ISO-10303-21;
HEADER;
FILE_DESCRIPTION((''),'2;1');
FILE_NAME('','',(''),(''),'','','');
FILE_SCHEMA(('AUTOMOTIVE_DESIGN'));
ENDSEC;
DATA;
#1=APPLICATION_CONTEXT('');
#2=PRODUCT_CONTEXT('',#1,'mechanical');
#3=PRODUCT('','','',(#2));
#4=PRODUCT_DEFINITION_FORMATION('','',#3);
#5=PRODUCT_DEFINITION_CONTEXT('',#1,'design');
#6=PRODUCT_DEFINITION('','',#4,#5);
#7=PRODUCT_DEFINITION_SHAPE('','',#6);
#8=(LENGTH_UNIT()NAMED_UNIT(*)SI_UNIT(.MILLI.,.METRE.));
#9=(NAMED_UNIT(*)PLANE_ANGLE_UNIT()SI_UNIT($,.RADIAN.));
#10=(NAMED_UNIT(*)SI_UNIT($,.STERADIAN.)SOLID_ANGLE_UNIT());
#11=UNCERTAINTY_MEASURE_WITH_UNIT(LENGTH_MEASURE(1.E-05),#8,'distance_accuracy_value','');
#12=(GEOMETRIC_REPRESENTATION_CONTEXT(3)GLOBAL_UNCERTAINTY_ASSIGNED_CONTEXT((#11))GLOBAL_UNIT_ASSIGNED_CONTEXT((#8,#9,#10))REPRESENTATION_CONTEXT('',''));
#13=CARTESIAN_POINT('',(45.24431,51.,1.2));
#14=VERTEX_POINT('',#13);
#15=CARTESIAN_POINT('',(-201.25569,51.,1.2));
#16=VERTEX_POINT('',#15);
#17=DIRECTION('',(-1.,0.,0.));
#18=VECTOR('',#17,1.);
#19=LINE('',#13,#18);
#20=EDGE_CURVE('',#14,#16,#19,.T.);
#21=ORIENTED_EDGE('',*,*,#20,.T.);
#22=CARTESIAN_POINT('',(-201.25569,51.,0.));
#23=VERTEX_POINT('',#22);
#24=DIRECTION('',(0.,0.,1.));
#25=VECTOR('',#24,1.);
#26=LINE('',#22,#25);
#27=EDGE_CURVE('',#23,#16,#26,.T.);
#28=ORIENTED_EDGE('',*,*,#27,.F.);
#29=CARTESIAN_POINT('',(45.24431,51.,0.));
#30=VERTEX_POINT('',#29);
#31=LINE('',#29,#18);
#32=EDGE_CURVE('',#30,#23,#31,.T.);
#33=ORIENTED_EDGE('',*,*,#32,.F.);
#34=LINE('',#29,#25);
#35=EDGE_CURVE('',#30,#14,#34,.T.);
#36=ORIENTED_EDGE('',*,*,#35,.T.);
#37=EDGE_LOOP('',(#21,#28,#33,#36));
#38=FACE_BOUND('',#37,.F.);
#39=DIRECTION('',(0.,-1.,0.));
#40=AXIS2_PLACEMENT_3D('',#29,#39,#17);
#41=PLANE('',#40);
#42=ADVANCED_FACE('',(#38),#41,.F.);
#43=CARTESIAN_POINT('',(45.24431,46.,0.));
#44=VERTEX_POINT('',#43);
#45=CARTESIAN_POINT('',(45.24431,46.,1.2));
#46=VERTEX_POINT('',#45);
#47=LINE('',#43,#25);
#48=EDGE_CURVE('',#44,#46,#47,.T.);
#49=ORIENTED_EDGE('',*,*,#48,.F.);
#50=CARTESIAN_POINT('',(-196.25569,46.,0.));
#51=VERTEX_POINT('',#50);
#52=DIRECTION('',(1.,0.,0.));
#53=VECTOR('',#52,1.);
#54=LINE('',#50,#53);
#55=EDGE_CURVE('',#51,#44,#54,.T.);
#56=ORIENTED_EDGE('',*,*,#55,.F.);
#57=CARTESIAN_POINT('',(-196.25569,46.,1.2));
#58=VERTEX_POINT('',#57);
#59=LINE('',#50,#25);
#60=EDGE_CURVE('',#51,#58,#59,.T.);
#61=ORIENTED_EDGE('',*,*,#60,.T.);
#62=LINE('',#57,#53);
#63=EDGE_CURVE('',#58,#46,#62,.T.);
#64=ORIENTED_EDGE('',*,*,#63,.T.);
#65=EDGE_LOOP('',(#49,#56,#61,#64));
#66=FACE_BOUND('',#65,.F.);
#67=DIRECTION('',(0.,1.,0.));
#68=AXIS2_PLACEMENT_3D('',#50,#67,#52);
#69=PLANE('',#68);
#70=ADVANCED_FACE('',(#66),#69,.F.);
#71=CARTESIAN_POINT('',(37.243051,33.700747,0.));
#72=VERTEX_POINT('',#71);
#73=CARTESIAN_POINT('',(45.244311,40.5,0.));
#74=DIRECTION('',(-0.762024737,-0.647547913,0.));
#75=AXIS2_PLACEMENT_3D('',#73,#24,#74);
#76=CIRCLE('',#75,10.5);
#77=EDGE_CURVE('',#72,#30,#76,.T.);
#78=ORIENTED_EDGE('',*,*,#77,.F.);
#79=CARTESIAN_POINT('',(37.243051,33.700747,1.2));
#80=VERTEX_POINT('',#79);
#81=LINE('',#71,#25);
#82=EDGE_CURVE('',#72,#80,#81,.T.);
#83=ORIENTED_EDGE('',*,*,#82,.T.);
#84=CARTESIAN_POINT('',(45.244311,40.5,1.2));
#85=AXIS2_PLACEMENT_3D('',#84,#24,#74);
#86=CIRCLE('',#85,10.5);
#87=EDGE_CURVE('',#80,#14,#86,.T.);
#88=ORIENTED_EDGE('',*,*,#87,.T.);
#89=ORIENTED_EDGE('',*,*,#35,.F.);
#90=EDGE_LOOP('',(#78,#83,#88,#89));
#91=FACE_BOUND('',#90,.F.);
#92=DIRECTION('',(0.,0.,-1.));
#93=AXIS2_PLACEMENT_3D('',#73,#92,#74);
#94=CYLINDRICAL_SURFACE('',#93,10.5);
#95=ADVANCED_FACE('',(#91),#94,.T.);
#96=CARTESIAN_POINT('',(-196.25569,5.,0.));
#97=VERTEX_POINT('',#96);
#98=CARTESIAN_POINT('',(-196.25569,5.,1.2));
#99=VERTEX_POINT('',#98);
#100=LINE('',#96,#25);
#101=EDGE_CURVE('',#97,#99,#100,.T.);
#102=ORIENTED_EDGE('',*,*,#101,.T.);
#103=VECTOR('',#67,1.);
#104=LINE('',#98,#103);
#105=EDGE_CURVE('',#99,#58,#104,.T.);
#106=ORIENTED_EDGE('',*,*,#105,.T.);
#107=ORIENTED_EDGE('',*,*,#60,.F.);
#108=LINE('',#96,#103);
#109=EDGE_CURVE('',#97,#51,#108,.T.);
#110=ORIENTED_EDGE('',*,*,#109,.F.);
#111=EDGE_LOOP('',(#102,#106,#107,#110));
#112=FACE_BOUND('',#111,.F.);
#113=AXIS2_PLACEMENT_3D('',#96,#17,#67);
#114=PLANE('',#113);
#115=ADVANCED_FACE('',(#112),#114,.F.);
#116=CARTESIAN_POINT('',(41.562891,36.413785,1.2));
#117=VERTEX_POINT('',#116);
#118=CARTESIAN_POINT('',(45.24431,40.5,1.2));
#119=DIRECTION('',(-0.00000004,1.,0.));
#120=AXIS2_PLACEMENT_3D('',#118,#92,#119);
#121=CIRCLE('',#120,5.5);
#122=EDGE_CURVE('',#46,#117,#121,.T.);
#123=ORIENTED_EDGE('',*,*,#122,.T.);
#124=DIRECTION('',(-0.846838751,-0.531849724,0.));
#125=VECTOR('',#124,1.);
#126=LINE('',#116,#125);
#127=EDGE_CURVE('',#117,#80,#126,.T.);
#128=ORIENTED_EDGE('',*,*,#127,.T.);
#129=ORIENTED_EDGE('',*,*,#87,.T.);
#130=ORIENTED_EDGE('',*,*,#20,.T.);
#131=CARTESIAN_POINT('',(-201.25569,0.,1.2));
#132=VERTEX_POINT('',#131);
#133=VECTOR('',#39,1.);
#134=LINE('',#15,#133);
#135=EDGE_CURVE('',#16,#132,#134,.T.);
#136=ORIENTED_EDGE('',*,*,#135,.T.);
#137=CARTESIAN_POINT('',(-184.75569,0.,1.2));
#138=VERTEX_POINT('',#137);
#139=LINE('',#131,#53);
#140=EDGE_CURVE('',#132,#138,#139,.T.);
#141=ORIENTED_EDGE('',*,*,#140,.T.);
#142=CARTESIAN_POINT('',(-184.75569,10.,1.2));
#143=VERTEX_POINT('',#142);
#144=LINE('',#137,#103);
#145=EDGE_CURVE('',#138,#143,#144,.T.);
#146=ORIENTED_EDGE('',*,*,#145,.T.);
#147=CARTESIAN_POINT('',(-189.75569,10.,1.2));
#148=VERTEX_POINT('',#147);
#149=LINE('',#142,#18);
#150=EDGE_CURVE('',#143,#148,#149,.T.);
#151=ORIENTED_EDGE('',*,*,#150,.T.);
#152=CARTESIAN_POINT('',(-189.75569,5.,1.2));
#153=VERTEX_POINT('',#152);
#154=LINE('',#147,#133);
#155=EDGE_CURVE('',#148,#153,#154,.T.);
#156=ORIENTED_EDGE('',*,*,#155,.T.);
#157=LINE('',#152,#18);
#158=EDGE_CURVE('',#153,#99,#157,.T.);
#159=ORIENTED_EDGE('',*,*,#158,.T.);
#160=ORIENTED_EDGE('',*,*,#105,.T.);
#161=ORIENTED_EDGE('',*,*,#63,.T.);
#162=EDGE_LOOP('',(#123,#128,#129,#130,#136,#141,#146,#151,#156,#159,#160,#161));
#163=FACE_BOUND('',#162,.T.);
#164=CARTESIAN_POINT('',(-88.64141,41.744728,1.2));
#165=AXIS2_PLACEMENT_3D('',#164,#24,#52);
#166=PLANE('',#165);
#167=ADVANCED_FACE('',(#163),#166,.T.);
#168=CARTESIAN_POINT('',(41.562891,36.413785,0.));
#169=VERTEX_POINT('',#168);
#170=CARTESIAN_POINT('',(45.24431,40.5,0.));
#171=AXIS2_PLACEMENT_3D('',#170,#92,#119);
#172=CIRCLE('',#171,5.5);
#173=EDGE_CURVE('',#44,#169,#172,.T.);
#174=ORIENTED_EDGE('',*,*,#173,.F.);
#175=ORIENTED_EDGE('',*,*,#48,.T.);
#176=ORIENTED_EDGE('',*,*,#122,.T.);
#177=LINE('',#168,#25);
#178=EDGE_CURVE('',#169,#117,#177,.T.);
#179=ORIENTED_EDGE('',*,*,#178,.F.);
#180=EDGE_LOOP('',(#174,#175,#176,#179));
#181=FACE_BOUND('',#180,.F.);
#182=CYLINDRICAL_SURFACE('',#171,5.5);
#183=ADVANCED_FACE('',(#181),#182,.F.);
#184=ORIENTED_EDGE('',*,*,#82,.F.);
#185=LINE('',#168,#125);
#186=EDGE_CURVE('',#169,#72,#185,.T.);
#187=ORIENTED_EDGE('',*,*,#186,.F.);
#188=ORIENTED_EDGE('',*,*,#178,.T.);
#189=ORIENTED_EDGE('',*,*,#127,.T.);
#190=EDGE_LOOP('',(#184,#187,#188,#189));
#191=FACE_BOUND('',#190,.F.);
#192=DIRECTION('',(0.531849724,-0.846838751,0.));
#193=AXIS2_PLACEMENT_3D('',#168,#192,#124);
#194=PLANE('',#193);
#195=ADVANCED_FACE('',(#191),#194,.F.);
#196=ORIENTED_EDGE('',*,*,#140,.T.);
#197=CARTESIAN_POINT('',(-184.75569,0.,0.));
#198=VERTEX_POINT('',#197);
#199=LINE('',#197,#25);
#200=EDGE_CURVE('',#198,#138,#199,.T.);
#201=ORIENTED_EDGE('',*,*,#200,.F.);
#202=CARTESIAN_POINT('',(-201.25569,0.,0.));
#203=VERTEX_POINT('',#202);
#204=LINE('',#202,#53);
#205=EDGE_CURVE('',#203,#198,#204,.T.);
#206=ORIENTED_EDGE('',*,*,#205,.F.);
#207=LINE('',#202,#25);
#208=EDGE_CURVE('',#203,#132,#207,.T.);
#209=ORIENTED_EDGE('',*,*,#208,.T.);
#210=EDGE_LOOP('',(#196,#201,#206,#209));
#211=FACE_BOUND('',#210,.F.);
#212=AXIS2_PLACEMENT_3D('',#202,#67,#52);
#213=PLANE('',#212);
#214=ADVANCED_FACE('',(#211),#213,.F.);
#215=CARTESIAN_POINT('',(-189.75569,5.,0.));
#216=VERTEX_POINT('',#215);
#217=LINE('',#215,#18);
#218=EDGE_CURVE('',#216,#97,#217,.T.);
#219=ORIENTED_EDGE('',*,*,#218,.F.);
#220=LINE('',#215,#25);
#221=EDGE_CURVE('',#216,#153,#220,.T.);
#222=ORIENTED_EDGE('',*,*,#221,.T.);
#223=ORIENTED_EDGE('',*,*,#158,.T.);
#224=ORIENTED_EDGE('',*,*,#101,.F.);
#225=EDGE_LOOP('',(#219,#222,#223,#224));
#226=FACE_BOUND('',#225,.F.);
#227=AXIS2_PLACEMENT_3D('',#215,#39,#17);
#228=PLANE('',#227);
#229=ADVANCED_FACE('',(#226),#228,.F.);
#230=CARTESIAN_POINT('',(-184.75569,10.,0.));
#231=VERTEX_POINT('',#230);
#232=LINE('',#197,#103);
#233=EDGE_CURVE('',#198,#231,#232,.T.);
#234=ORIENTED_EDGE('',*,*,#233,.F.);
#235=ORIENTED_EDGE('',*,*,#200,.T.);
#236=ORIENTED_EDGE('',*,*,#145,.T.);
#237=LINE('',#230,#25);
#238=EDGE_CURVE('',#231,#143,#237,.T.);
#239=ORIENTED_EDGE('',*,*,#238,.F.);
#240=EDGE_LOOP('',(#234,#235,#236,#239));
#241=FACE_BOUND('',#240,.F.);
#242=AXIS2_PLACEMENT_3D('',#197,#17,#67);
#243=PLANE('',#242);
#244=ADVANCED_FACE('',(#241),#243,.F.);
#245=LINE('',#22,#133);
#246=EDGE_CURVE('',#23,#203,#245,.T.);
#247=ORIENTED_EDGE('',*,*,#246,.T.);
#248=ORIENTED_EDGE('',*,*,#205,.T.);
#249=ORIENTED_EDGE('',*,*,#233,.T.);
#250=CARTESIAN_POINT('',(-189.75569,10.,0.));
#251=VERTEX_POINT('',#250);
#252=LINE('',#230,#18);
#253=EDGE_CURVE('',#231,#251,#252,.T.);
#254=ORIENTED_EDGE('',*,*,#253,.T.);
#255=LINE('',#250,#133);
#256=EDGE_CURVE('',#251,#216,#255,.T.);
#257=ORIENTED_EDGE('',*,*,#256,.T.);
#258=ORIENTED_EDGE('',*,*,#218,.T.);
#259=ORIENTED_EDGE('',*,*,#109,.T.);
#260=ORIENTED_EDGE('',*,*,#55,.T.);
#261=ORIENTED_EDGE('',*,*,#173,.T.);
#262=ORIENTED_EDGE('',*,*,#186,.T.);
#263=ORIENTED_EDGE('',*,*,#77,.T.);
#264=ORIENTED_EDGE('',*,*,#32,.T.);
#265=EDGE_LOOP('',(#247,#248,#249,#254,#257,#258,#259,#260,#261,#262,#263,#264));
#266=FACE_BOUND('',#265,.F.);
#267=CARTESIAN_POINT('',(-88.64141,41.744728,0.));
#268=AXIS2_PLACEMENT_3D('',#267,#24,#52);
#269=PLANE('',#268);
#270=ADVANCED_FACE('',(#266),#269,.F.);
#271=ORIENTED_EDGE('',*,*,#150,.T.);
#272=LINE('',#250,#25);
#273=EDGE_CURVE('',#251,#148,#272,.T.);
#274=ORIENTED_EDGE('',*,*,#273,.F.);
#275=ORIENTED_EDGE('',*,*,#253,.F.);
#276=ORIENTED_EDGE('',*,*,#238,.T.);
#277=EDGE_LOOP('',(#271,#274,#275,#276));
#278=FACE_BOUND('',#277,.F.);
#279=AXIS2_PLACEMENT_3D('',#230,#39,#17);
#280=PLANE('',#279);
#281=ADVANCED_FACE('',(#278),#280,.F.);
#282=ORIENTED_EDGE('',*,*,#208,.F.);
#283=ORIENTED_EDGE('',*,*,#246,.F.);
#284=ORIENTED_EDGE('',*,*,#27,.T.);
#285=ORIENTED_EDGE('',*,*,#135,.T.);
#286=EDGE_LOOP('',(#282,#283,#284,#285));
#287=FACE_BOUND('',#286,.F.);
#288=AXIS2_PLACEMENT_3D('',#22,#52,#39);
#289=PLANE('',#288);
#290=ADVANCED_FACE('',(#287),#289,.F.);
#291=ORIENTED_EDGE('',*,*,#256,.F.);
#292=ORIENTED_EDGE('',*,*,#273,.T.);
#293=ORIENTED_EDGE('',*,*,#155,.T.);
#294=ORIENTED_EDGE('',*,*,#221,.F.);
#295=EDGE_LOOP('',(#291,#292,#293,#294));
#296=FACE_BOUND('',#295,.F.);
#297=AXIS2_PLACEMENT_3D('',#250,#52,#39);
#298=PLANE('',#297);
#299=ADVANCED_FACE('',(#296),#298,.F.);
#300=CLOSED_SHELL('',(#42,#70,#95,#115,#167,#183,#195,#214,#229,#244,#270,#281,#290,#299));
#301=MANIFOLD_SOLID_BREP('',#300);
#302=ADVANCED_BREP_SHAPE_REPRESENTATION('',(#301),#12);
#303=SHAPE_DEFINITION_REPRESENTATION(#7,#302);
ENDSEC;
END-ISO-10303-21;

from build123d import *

# Parameters (mm, degrees)
F1_DEPTH = 1.2


with BuildPart() as f1:
    # F0 (on Top) → F1 (new body)
    with BuildSketch(Plane.XY):
        with BuildLine():
            Line((-201.25569, 51), (-201.25569, 0))
            Line((-201.25569, 0), (-184.75569, 0))
            Line((-184.75569, 0), (-184.75569, 10))
            Line((-184.75569, 10), (-189.75569, 10))
            Line((-189.75569, 10), (-189.75569, 5))
            Line((-189.75569, 5), (-196.25569, 5))
            Line((-196.25569, 5), (-196.25569, 46))
            Line((-196.25569, 46), (-184.75569, 46))
            Line((-184.75569, 46), (45.24431, 46))
            ThreePointArc((45.24431, 46), (50.378713, 38.528222), (41.562891, 36.413785))
            Line((41.562891, 36.413785), (37.243051, 33.700747))
            ThreePointArc((37.243051, 33.700747), (54.77432, 36.092175), (45.24431, 51))
            Line((45.24431, 51), (-184.75569, 51))
            Line((-184.75569, 51), (-201.25569, 51))
        make_face()
    extrude(amount=F1_DEPTH)


solid = f1.part
